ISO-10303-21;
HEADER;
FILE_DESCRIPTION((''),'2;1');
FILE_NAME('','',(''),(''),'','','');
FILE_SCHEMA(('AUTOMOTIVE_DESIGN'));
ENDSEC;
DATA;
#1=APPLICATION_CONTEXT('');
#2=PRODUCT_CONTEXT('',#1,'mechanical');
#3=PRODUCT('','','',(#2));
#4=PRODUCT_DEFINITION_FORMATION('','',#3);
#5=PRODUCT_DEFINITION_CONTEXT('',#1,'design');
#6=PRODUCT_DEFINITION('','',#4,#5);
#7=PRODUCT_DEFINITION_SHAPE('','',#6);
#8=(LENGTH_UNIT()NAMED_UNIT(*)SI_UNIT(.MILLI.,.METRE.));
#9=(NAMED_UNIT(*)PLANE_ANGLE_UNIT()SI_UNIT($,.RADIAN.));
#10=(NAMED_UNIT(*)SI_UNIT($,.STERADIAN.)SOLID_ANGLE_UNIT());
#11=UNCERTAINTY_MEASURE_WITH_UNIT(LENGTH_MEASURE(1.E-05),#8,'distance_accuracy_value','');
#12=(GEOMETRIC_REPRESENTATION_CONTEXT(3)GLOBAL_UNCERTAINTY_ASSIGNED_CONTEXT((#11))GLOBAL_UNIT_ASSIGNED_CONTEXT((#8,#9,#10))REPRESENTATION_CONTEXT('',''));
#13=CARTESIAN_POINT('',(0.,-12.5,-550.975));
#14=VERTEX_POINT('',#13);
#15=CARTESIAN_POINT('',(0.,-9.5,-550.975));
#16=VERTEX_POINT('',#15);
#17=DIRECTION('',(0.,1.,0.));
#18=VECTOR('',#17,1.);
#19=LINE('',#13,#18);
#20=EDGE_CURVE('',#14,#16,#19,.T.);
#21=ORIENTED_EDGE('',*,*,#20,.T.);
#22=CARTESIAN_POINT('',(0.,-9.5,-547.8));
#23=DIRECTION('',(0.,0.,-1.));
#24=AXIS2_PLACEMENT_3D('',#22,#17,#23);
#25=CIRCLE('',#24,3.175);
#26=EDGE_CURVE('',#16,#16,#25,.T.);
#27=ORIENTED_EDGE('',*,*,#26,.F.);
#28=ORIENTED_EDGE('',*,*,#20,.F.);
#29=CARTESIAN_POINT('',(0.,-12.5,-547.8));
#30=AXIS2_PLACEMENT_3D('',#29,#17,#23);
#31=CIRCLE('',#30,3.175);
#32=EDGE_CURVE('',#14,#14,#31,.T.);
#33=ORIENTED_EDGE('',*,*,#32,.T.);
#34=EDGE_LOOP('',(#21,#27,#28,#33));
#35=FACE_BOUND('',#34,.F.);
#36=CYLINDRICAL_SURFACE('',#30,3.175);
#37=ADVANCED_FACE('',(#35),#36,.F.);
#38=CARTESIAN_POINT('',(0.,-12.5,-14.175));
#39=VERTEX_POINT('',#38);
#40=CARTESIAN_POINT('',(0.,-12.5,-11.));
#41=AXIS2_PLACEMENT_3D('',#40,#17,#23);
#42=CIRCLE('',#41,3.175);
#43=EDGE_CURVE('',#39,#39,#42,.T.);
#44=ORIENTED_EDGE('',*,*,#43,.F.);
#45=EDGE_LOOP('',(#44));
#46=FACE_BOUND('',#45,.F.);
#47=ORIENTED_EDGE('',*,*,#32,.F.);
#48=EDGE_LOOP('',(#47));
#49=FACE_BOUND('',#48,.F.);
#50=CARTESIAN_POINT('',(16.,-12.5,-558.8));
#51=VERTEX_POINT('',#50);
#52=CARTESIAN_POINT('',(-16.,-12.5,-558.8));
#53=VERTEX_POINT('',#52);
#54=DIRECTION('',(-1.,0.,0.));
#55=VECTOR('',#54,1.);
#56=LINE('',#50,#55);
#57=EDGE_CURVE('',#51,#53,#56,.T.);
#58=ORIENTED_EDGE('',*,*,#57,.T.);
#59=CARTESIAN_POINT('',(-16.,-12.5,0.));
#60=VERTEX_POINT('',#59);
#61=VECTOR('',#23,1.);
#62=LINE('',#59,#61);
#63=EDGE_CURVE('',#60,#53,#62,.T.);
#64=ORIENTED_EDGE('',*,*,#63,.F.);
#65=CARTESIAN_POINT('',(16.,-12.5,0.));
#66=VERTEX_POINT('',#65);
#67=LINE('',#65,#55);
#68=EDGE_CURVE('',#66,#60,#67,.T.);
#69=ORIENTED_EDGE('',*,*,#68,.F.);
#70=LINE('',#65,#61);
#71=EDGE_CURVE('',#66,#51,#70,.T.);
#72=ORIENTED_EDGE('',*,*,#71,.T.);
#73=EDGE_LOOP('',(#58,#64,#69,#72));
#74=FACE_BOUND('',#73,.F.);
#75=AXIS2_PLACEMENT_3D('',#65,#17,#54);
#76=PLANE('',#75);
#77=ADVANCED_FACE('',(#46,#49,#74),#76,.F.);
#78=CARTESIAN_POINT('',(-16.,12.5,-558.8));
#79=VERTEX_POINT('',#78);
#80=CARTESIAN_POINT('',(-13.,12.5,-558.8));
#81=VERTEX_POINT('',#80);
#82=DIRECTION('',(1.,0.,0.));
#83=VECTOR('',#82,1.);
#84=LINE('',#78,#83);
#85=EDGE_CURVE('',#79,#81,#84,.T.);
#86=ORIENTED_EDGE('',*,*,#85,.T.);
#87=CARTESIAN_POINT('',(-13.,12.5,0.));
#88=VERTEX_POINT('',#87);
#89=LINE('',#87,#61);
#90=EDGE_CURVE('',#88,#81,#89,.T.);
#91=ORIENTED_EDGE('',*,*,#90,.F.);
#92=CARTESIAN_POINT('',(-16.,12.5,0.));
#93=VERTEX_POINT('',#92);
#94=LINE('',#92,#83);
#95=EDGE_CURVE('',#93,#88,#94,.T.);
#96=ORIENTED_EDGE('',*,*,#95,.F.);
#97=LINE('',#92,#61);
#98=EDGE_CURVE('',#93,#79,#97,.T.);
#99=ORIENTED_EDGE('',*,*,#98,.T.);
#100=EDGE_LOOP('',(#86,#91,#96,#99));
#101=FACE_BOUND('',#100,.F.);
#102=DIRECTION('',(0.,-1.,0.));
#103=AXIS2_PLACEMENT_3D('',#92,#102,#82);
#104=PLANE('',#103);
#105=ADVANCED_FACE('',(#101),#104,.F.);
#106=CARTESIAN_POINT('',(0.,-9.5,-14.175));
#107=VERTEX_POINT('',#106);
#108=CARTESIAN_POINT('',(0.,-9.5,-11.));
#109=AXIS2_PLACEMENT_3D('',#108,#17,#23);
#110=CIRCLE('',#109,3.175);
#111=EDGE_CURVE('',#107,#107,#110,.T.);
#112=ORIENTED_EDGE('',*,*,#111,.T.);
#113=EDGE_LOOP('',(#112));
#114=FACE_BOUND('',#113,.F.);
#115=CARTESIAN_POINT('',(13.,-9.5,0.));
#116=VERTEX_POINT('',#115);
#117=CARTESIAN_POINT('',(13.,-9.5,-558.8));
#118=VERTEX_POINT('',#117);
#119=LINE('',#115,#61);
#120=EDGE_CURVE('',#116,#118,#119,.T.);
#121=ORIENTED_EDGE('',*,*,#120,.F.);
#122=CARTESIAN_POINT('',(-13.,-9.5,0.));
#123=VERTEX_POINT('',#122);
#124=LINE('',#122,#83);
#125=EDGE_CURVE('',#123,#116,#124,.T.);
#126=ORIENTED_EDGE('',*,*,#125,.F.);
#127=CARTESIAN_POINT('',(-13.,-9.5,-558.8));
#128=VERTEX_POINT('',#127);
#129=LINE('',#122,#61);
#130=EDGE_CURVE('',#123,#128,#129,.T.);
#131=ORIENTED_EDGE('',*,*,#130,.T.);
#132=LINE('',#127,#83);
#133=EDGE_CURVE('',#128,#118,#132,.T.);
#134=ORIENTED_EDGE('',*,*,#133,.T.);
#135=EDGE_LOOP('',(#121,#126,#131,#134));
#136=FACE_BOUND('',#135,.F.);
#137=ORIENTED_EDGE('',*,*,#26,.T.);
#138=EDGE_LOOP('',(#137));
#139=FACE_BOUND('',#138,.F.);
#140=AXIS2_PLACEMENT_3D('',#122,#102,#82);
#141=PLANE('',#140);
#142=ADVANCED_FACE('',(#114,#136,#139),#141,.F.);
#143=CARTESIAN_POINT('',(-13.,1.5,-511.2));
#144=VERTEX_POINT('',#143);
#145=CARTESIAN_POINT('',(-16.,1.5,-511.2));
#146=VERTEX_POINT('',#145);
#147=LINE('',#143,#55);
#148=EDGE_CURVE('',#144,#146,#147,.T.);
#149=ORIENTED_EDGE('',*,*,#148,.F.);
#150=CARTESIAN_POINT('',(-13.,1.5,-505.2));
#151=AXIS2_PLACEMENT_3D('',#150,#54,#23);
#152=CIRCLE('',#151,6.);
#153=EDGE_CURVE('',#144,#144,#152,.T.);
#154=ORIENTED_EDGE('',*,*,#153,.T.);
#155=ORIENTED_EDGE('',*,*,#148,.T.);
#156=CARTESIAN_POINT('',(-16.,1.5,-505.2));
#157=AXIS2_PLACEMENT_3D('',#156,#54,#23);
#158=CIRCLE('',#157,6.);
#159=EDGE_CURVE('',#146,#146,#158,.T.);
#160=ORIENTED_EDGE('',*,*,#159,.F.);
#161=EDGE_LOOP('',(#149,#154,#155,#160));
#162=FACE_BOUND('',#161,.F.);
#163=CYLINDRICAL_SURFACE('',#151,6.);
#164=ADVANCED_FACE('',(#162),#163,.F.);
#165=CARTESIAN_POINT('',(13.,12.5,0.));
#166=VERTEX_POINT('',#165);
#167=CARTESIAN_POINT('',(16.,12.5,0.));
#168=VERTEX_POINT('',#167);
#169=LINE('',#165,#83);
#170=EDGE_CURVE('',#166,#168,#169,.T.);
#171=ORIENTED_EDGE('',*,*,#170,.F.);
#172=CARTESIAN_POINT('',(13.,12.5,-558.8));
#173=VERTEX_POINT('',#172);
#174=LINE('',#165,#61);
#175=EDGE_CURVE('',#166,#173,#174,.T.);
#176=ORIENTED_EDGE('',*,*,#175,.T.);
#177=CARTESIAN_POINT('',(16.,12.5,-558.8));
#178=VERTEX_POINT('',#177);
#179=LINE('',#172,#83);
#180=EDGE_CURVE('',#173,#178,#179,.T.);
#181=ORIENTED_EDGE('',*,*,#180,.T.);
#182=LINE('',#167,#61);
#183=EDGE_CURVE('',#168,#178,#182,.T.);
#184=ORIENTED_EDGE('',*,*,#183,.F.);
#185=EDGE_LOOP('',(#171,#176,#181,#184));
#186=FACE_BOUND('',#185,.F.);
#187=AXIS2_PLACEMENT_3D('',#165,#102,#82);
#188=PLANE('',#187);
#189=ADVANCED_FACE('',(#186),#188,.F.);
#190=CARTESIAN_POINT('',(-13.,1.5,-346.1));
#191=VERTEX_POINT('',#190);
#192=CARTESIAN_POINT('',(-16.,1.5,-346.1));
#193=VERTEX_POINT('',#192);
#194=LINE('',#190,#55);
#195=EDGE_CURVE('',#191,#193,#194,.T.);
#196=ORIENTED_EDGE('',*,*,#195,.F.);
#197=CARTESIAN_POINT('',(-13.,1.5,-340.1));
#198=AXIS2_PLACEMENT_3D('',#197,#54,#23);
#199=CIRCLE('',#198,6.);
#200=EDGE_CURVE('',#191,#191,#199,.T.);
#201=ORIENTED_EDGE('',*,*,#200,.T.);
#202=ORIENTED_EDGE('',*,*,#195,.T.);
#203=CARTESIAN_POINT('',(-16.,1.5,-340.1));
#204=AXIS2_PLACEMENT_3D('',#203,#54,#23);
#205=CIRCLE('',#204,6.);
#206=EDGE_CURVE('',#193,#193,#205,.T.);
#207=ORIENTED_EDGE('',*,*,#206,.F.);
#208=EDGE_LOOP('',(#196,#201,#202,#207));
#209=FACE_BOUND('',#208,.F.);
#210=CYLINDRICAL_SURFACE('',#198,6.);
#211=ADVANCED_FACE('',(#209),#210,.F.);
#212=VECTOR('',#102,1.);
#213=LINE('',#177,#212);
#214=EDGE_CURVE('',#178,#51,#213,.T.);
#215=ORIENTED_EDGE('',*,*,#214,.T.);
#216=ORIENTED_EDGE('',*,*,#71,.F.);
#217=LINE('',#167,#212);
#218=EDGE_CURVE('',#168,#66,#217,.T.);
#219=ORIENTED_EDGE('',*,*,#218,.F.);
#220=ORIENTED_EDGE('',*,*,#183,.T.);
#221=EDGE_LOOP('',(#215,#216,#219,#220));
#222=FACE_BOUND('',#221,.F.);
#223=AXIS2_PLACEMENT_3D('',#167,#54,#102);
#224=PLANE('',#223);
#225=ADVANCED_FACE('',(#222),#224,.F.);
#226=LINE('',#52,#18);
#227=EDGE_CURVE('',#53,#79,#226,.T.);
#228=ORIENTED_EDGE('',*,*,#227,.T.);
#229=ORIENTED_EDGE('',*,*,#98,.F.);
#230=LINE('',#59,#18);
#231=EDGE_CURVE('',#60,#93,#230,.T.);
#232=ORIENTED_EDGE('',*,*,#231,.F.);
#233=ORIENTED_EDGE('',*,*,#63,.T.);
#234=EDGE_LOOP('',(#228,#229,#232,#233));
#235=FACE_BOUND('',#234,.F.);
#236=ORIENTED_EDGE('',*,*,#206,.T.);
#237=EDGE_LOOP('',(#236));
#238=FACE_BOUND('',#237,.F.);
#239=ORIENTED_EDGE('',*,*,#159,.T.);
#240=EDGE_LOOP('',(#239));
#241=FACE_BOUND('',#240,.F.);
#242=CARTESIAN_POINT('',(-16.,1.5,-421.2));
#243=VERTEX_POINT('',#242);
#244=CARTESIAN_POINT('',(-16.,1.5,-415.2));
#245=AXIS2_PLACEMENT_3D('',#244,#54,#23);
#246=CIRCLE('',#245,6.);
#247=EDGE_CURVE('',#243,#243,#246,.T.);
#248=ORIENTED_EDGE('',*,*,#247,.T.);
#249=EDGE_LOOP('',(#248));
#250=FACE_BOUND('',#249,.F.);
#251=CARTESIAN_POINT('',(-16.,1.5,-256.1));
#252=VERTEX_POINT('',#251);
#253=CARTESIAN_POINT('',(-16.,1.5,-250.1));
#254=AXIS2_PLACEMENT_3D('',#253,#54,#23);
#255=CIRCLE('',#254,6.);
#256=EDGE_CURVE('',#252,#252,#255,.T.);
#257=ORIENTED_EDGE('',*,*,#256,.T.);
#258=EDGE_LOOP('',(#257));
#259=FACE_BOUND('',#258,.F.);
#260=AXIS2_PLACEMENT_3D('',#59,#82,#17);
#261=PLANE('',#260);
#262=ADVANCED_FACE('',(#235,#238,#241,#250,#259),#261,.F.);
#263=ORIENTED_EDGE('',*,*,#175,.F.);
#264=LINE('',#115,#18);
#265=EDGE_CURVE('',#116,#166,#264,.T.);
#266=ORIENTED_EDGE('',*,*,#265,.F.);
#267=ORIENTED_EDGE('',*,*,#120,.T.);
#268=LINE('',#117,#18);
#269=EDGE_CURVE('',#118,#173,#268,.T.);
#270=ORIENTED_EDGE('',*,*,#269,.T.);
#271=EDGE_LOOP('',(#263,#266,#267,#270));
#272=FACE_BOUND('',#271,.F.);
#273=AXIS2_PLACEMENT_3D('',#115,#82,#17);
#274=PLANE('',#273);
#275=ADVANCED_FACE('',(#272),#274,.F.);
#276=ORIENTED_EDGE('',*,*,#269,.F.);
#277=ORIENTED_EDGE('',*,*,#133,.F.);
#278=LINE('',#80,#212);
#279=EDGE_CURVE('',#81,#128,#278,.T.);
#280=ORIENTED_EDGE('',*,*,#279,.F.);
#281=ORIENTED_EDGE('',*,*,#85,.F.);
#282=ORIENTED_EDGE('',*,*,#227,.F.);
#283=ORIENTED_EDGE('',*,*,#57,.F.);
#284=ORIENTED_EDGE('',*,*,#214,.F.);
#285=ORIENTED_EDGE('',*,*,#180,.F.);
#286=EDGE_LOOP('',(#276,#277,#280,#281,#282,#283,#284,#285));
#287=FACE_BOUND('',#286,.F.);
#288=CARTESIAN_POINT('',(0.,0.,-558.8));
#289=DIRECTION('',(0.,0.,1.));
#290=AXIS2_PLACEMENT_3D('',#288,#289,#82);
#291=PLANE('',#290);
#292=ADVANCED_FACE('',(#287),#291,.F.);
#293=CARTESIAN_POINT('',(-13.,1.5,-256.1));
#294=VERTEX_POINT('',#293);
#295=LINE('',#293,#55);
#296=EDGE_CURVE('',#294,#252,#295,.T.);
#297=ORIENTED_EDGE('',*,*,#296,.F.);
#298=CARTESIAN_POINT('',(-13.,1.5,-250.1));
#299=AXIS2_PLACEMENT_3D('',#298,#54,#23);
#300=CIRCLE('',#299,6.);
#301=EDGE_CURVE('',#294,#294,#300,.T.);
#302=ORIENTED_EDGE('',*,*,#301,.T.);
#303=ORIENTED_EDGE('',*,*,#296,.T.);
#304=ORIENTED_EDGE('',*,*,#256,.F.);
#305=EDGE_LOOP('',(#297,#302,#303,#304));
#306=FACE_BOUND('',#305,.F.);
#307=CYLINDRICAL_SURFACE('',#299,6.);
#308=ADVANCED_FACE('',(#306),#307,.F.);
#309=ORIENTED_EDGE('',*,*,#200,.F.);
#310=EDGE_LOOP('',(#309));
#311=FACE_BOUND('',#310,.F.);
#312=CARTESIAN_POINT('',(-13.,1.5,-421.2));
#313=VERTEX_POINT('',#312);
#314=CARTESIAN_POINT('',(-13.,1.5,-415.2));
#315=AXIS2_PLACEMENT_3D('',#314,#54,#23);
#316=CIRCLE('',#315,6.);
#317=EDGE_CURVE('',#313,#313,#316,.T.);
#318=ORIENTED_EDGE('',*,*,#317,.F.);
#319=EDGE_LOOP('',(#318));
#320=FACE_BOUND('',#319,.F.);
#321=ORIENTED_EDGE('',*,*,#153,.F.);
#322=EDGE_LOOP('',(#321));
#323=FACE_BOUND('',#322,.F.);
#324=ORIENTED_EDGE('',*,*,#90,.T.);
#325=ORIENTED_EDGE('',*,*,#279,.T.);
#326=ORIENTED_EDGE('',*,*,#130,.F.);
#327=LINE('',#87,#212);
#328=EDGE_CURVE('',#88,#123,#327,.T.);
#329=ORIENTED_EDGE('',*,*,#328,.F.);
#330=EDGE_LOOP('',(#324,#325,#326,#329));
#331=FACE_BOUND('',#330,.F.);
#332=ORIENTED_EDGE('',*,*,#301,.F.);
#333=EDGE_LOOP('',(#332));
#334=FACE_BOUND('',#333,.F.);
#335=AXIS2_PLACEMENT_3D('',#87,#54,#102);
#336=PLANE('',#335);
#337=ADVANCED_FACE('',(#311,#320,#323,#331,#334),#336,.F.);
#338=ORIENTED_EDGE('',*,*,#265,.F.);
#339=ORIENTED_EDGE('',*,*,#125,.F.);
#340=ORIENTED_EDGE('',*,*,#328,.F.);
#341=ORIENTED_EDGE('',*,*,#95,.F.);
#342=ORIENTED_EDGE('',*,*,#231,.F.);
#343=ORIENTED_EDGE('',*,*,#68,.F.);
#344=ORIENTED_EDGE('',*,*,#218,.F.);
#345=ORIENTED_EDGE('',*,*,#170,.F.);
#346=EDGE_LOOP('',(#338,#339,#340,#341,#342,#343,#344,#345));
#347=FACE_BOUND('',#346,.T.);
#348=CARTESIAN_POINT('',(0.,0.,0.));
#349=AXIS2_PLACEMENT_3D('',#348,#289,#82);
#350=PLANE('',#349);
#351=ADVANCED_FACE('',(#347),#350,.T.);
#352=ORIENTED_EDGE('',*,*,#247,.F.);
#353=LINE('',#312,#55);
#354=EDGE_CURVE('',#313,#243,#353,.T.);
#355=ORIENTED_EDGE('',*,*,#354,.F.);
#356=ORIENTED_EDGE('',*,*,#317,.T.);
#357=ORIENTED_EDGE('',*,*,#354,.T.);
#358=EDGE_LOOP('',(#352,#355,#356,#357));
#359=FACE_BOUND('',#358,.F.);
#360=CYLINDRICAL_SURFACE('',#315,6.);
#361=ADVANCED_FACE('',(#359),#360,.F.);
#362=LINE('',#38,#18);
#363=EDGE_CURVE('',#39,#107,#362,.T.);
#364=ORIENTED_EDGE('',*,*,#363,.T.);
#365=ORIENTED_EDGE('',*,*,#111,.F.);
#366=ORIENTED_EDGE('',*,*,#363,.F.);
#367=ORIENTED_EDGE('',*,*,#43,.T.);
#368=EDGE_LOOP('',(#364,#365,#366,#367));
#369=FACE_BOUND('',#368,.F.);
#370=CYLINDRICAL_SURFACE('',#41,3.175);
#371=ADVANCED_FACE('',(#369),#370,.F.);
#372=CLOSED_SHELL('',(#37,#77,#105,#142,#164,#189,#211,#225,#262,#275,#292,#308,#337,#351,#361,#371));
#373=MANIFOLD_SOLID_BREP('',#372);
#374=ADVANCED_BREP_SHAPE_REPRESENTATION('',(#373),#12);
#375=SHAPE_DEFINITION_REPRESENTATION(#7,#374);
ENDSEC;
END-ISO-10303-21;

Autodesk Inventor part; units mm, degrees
ref_plane "YZ Plane" through (0, 0, 0) normal (1, 0, 0) x (0, 1, 0)
ref_plane "XZ Plane" through (0, 0, 0) normal (0, 1, 0) x (-1, 0, 0)
ref_plane "XY Plane" through (0, 0, 0) normal (0, 0, 1) x (1, 0, 0)
sketch "Sketch1" plane through (0, 0, 0) normal (0, 0, 1) x (1, 0, 0)
  line L0 (-16, 12.5) -> (-13, 12.5)
  line L1 (-13, 12.5) -> (-13, -9.5)
  line L2 (-13, -9.5) -> (13, -9.5)
  line L3 (13, -9.5) -> (13, 12.5)
  line L4 (13, 12.5) -> (16, 12.5)
  line L5 (16, 12.5) -> (16, -12.5)
  line L6 (16, -12.5) -> (-16, -12.5)
  line L7 (-16, -12.5) -> (-16, 12.5)
  point P0 (0, 0)
  dimension "d0" = 3
  dimension "d2" = 3
  dimension "d3" = 25
  dimension "d4" = 32
  dimension "d5" = 16
  dimension "d7" = 12.5
  dimension "d8" = 3
  dimension "d74" = 25
extrude "Extrusion1" add sketch "Sketch1" against normal blind 558.8
sketch "Sketch8" plane through (-16, -12.5, 0) normal (0, -1, 0) x (1, 0, 0)
  line L0 (32, -558.8) -> (0, -558.8) projected
  line L1 (32, 0) -> (32, -558.8) projected
  circle A0 centre (16, -547.8) radius 3.175
  line L2 (32, 0) -> (0, 0) projected
  circle A1 centre (16, -11) radius 3.175
  point P0 (16, 0)
  dimension "d114" = 6.35
  dimension "d116" = 16
  dimension "d117" = 11
  dimension "d125" = 6.35
  dimension "d126" = 11
hole "Hole5" at (0, -12.5, -547.8) at (0, -12.5, -11) direction (0, 1, 0) diameter 6.35 end through all
sketch "Sketch9" plane through (-13, -9.5, 0) normal (1, 0, 0) x (0, 0, -1)
  circle A0 centre (505.2, 11) radius 6 projected
  circle A1 centre (415.2, 11) radius 6 projected
  circle A2 centre (340.1, 11) radius 6 projected
  circle A3 centre (250.1, 11) radius 6 projected
  point P0 (0, 9.5)
hole "Hole6" at (-13, 1.5, -340.1) at (-13, 1.5, -250.1) at (-13, 1.5, -505.2) at (-13, 1.5, -415.2) direction (-1, 0, 0) diameter 12 depth 3 tip angle 118
equation "\"d2\" = d0"
equation "\"d5\" = 0.5 * d4"
equation "\"d7\" = 0.5 * d3"
equation "\"d8\" = d0"
equation "\"d74\" = d3"
equation "\"d126\" = d117"
properties part number "Shooter Frame - CIM Mount" material "Aluminum 6061"
